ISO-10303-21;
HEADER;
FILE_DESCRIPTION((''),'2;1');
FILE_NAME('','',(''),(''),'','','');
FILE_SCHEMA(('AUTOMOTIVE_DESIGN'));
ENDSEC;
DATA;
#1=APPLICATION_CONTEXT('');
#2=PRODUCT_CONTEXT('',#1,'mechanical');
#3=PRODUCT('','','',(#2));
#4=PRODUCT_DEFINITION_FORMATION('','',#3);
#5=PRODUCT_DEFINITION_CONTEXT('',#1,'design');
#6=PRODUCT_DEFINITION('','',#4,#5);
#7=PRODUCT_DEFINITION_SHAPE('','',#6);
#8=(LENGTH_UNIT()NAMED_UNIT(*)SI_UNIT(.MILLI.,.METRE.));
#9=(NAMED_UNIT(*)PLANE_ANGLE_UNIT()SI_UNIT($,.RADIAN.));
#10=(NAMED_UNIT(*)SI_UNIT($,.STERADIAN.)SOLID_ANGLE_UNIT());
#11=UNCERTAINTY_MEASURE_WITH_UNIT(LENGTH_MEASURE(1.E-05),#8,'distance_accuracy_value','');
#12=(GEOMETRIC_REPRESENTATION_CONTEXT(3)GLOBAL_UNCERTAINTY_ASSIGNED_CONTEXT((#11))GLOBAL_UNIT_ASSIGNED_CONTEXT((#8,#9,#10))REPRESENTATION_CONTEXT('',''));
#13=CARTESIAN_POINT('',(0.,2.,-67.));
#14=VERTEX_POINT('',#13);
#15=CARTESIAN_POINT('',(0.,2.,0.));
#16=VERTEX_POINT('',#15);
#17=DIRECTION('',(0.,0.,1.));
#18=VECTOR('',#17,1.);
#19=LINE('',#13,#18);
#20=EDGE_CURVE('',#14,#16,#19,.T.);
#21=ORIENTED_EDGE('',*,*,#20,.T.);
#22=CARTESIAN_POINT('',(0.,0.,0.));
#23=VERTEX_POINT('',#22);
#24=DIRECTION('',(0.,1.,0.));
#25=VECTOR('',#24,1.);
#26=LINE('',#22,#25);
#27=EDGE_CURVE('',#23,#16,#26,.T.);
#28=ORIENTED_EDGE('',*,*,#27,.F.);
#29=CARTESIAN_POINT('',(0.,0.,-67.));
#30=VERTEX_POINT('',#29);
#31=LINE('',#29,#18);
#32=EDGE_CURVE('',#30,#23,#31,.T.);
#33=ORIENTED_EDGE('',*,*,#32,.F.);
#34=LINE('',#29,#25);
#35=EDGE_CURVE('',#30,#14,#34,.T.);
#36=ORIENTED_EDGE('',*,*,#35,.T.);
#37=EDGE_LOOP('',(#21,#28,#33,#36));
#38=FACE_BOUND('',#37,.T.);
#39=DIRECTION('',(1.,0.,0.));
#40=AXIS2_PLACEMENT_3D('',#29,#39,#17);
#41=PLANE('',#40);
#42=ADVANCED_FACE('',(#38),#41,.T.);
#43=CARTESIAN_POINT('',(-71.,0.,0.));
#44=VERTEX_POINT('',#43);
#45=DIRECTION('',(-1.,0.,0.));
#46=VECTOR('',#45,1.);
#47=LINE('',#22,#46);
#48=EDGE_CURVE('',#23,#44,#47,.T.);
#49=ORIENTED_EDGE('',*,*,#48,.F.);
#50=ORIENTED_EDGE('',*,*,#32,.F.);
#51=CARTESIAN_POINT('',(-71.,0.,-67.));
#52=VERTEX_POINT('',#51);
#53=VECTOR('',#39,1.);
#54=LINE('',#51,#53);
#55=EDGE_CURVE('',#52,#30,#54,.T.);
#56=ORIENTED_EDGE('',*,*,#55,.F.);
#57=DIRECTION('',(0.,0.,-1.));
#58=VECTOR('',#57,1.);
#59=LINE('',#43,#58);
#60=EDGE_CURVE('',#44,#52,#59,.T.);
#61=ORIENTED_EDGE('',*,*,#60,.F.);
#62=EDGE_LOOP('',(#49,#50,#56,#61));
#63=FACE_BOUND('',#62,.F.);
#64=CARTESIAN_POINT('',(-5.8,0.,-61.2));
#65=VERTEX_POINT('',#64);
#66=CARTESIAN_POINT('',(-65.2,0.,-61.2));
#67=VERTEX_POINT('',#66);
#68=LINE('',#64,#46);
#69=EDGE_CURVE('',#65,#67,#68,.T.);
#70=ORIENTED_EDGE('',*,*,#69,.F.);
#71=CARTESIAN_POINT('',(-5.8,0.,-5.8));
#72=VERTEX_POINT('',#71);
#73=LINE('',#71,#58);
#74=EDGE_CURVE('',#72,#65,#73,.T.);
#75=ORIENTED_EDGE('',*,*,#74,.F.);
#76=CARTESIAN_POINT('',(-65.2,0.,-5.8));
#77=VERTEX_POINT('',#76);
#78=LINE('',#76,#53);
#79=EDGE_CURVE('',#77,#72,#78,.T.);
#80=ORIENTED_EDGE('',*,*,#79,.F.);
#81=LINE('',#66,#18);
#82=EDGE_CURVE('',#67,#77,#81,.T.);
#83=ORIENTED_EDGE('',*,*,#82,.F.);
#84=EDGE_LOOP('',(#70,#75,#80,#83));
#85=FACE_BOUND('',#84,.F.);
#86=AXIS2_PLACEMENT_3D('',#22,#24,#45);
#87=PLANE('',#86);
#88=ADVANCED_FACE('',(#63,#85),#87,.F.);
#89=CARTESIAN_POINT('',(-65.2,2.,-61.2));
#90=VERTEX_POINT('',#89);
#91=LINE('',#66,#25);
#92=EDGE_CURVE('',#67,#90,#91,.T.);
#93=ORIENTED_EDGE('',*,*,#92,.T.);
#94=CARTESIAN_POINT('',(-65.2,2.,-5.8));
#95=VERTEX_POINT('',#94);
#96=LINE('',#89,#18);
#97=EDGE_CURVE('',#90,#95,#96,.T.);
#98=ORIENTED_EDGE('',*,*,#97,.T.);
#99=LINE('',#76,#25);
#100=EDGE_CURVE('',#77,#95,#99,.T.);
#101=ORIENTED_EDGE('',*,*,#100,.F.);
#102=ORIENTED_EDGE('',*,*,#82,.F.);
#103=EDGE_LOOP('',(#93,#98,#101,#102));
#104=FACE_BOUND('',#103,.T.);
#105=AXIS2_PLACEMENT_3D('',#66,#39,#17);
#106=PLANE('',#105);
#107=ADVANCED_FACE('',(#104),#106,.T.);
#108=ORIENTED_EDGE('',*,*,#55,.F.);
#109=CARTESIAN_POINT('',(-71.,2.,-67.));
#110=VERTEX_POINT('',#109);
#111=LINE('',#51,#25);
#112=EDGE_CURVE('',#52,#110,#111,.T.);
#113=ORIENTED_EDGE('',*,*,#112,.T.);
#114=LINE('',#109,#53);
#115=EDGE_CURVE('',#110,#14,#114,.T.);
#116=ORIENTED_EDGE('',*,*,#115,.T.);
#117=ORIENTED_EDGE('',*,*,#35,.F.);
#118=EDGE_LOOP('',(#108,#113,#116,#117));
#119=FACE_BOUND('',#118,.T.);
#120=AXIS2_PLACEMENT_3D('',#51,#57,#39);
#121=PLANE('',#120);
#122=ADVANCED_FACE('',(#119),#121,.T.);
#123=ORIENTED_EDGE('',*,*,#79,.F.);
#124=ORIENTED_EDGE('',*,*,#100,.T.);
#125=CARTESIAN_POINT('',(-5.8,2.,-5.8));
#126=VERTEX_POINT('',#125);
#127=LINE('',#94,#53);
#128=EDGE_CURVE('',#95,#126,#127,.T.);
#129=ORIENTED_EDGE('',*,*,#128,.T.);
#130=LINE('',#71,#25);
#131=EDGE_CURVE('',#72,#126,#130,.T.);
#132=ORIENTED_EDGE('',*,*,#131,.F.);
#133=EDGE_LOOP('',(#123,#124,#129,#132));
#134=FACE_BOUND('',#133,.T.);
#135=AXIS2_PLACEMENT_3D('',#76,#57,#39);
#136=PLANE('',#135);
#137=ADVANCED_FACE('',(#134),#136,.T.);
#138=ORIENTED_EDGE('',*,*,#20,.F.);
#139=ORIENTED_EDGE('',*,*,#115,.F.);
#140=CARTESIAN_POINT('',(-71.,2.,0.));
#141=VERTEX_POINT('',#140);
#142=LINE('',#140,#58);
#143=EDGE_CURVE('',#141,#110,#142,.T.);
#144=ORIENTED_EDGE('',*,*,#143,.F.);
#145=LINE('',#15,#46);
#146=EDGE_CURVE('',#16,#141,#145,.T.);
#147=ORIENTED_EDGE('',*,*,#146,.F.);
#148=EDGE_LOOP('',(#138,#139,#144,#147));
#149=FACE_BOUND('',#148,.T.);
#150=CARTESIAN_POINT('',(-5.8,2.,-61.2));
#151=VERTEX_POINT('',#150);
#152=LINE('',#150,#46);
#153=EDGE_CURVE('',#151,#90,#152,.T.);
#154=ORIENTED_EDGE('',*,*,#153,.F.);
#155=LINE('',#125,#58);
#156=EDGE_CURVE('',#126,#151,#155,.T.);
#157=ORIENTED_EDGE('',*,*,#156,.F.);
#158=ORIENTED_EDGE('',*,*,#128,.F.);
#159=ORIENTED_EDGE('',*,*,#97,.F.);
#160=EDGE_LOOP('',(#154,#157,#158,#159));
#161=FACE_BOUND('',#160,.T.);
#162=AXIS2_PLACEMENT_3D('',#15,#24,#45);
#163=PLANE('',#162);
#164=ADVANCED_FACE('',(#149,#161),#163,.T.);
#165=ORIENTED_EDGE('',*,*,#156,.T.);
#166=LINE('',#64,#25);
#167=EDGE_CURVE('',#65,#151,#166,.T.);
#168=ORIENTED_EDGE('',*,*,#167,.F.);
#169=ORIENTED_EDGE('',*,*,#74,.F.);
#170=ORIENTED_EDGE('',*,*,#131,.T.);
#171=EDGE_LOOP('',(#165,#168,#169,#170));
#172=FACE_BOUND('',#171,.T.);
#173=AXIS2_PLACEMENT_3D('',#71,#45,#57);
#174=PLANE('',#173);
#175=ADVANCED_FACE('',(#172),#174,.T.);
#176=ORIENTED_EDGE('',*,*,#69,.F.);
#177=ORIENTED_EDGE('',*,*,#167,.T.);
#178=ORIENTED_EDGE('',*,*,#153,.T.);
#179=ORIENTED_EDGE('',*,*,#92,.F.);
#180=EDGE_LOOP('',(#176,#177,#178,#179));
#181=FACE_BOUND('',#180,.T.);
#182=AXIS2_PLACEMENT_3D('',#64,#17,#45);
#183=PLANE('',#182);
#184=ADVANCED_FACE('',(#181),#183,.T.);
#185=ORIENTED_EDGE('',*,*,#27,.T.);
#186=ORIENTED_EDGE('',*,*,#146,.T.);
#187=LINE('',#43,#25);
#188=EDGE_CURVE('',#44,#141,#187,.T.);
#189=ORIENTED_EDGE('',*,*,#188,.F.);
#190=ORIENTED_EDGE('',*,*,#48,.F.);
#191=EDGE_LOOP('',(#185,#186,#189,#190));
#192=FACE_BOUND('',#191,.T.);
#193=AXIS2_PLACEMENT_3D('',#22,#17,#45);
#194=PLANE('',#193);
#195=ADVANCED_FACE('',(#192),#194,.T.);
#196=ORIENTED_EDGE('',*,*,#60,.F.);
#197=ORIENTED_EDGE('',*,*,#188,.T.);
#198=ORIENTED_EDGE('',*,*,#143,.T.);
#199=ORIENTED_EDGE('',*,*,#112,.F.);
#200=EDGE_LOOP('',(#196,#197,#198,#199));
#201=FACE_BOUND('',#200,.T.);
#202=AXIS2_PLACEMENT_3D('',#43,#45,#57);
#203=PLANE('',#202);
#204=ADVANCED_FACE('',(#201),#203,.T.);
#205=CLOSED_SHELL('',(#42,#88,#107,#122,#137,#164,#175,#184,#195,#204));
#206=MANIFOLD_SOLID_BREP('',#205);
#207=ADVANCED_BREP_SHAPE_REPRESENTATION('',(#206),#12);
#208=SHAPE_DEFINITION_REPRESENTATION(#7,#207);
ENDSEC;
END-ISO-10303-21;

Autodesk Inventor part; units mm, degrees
ref_plane "YZ Plane" through (0, 0, 0) normal (1, 0, 0) x (0, 1, 0)
ref_plane "XZ Plane" through (0, 0, 0) normal (0, 1, 0) x (-1, 0, 0)
ref_plane "XY Plane" through (0, 0, 0) normal (0, 0, 1) x (1, 0, 0)
sketch "Sketch1" plane through (0, 0, 0) normal (0, 1, 0) x (-1, 0, 0)
  line L0 (0, 0) -> (71, 0)
  line L1 (71, 0) -> (71, -67)
  line L2 (71, -67) -> (0, -67)
  line L3 (0, -67) -> (0, 0)
  line L4 (65.2, -61.2) -> (65.2, -5.8)
  line L5 (65.2, -5.8) -> (5.8, -5.8)
  line L6 (5.8, -5.8) -> (5.8, -61.2)
  line L7 (5.8, -61.2) -> (65.2, -61.2)
  dimension "d0" = 71
  dimension "d1" = 67
  dimension "d2" = 5.8
extrude "Extrusion1" add sketch "Sketch1" along normal blind 2
properties part number "Scannerframetop"
